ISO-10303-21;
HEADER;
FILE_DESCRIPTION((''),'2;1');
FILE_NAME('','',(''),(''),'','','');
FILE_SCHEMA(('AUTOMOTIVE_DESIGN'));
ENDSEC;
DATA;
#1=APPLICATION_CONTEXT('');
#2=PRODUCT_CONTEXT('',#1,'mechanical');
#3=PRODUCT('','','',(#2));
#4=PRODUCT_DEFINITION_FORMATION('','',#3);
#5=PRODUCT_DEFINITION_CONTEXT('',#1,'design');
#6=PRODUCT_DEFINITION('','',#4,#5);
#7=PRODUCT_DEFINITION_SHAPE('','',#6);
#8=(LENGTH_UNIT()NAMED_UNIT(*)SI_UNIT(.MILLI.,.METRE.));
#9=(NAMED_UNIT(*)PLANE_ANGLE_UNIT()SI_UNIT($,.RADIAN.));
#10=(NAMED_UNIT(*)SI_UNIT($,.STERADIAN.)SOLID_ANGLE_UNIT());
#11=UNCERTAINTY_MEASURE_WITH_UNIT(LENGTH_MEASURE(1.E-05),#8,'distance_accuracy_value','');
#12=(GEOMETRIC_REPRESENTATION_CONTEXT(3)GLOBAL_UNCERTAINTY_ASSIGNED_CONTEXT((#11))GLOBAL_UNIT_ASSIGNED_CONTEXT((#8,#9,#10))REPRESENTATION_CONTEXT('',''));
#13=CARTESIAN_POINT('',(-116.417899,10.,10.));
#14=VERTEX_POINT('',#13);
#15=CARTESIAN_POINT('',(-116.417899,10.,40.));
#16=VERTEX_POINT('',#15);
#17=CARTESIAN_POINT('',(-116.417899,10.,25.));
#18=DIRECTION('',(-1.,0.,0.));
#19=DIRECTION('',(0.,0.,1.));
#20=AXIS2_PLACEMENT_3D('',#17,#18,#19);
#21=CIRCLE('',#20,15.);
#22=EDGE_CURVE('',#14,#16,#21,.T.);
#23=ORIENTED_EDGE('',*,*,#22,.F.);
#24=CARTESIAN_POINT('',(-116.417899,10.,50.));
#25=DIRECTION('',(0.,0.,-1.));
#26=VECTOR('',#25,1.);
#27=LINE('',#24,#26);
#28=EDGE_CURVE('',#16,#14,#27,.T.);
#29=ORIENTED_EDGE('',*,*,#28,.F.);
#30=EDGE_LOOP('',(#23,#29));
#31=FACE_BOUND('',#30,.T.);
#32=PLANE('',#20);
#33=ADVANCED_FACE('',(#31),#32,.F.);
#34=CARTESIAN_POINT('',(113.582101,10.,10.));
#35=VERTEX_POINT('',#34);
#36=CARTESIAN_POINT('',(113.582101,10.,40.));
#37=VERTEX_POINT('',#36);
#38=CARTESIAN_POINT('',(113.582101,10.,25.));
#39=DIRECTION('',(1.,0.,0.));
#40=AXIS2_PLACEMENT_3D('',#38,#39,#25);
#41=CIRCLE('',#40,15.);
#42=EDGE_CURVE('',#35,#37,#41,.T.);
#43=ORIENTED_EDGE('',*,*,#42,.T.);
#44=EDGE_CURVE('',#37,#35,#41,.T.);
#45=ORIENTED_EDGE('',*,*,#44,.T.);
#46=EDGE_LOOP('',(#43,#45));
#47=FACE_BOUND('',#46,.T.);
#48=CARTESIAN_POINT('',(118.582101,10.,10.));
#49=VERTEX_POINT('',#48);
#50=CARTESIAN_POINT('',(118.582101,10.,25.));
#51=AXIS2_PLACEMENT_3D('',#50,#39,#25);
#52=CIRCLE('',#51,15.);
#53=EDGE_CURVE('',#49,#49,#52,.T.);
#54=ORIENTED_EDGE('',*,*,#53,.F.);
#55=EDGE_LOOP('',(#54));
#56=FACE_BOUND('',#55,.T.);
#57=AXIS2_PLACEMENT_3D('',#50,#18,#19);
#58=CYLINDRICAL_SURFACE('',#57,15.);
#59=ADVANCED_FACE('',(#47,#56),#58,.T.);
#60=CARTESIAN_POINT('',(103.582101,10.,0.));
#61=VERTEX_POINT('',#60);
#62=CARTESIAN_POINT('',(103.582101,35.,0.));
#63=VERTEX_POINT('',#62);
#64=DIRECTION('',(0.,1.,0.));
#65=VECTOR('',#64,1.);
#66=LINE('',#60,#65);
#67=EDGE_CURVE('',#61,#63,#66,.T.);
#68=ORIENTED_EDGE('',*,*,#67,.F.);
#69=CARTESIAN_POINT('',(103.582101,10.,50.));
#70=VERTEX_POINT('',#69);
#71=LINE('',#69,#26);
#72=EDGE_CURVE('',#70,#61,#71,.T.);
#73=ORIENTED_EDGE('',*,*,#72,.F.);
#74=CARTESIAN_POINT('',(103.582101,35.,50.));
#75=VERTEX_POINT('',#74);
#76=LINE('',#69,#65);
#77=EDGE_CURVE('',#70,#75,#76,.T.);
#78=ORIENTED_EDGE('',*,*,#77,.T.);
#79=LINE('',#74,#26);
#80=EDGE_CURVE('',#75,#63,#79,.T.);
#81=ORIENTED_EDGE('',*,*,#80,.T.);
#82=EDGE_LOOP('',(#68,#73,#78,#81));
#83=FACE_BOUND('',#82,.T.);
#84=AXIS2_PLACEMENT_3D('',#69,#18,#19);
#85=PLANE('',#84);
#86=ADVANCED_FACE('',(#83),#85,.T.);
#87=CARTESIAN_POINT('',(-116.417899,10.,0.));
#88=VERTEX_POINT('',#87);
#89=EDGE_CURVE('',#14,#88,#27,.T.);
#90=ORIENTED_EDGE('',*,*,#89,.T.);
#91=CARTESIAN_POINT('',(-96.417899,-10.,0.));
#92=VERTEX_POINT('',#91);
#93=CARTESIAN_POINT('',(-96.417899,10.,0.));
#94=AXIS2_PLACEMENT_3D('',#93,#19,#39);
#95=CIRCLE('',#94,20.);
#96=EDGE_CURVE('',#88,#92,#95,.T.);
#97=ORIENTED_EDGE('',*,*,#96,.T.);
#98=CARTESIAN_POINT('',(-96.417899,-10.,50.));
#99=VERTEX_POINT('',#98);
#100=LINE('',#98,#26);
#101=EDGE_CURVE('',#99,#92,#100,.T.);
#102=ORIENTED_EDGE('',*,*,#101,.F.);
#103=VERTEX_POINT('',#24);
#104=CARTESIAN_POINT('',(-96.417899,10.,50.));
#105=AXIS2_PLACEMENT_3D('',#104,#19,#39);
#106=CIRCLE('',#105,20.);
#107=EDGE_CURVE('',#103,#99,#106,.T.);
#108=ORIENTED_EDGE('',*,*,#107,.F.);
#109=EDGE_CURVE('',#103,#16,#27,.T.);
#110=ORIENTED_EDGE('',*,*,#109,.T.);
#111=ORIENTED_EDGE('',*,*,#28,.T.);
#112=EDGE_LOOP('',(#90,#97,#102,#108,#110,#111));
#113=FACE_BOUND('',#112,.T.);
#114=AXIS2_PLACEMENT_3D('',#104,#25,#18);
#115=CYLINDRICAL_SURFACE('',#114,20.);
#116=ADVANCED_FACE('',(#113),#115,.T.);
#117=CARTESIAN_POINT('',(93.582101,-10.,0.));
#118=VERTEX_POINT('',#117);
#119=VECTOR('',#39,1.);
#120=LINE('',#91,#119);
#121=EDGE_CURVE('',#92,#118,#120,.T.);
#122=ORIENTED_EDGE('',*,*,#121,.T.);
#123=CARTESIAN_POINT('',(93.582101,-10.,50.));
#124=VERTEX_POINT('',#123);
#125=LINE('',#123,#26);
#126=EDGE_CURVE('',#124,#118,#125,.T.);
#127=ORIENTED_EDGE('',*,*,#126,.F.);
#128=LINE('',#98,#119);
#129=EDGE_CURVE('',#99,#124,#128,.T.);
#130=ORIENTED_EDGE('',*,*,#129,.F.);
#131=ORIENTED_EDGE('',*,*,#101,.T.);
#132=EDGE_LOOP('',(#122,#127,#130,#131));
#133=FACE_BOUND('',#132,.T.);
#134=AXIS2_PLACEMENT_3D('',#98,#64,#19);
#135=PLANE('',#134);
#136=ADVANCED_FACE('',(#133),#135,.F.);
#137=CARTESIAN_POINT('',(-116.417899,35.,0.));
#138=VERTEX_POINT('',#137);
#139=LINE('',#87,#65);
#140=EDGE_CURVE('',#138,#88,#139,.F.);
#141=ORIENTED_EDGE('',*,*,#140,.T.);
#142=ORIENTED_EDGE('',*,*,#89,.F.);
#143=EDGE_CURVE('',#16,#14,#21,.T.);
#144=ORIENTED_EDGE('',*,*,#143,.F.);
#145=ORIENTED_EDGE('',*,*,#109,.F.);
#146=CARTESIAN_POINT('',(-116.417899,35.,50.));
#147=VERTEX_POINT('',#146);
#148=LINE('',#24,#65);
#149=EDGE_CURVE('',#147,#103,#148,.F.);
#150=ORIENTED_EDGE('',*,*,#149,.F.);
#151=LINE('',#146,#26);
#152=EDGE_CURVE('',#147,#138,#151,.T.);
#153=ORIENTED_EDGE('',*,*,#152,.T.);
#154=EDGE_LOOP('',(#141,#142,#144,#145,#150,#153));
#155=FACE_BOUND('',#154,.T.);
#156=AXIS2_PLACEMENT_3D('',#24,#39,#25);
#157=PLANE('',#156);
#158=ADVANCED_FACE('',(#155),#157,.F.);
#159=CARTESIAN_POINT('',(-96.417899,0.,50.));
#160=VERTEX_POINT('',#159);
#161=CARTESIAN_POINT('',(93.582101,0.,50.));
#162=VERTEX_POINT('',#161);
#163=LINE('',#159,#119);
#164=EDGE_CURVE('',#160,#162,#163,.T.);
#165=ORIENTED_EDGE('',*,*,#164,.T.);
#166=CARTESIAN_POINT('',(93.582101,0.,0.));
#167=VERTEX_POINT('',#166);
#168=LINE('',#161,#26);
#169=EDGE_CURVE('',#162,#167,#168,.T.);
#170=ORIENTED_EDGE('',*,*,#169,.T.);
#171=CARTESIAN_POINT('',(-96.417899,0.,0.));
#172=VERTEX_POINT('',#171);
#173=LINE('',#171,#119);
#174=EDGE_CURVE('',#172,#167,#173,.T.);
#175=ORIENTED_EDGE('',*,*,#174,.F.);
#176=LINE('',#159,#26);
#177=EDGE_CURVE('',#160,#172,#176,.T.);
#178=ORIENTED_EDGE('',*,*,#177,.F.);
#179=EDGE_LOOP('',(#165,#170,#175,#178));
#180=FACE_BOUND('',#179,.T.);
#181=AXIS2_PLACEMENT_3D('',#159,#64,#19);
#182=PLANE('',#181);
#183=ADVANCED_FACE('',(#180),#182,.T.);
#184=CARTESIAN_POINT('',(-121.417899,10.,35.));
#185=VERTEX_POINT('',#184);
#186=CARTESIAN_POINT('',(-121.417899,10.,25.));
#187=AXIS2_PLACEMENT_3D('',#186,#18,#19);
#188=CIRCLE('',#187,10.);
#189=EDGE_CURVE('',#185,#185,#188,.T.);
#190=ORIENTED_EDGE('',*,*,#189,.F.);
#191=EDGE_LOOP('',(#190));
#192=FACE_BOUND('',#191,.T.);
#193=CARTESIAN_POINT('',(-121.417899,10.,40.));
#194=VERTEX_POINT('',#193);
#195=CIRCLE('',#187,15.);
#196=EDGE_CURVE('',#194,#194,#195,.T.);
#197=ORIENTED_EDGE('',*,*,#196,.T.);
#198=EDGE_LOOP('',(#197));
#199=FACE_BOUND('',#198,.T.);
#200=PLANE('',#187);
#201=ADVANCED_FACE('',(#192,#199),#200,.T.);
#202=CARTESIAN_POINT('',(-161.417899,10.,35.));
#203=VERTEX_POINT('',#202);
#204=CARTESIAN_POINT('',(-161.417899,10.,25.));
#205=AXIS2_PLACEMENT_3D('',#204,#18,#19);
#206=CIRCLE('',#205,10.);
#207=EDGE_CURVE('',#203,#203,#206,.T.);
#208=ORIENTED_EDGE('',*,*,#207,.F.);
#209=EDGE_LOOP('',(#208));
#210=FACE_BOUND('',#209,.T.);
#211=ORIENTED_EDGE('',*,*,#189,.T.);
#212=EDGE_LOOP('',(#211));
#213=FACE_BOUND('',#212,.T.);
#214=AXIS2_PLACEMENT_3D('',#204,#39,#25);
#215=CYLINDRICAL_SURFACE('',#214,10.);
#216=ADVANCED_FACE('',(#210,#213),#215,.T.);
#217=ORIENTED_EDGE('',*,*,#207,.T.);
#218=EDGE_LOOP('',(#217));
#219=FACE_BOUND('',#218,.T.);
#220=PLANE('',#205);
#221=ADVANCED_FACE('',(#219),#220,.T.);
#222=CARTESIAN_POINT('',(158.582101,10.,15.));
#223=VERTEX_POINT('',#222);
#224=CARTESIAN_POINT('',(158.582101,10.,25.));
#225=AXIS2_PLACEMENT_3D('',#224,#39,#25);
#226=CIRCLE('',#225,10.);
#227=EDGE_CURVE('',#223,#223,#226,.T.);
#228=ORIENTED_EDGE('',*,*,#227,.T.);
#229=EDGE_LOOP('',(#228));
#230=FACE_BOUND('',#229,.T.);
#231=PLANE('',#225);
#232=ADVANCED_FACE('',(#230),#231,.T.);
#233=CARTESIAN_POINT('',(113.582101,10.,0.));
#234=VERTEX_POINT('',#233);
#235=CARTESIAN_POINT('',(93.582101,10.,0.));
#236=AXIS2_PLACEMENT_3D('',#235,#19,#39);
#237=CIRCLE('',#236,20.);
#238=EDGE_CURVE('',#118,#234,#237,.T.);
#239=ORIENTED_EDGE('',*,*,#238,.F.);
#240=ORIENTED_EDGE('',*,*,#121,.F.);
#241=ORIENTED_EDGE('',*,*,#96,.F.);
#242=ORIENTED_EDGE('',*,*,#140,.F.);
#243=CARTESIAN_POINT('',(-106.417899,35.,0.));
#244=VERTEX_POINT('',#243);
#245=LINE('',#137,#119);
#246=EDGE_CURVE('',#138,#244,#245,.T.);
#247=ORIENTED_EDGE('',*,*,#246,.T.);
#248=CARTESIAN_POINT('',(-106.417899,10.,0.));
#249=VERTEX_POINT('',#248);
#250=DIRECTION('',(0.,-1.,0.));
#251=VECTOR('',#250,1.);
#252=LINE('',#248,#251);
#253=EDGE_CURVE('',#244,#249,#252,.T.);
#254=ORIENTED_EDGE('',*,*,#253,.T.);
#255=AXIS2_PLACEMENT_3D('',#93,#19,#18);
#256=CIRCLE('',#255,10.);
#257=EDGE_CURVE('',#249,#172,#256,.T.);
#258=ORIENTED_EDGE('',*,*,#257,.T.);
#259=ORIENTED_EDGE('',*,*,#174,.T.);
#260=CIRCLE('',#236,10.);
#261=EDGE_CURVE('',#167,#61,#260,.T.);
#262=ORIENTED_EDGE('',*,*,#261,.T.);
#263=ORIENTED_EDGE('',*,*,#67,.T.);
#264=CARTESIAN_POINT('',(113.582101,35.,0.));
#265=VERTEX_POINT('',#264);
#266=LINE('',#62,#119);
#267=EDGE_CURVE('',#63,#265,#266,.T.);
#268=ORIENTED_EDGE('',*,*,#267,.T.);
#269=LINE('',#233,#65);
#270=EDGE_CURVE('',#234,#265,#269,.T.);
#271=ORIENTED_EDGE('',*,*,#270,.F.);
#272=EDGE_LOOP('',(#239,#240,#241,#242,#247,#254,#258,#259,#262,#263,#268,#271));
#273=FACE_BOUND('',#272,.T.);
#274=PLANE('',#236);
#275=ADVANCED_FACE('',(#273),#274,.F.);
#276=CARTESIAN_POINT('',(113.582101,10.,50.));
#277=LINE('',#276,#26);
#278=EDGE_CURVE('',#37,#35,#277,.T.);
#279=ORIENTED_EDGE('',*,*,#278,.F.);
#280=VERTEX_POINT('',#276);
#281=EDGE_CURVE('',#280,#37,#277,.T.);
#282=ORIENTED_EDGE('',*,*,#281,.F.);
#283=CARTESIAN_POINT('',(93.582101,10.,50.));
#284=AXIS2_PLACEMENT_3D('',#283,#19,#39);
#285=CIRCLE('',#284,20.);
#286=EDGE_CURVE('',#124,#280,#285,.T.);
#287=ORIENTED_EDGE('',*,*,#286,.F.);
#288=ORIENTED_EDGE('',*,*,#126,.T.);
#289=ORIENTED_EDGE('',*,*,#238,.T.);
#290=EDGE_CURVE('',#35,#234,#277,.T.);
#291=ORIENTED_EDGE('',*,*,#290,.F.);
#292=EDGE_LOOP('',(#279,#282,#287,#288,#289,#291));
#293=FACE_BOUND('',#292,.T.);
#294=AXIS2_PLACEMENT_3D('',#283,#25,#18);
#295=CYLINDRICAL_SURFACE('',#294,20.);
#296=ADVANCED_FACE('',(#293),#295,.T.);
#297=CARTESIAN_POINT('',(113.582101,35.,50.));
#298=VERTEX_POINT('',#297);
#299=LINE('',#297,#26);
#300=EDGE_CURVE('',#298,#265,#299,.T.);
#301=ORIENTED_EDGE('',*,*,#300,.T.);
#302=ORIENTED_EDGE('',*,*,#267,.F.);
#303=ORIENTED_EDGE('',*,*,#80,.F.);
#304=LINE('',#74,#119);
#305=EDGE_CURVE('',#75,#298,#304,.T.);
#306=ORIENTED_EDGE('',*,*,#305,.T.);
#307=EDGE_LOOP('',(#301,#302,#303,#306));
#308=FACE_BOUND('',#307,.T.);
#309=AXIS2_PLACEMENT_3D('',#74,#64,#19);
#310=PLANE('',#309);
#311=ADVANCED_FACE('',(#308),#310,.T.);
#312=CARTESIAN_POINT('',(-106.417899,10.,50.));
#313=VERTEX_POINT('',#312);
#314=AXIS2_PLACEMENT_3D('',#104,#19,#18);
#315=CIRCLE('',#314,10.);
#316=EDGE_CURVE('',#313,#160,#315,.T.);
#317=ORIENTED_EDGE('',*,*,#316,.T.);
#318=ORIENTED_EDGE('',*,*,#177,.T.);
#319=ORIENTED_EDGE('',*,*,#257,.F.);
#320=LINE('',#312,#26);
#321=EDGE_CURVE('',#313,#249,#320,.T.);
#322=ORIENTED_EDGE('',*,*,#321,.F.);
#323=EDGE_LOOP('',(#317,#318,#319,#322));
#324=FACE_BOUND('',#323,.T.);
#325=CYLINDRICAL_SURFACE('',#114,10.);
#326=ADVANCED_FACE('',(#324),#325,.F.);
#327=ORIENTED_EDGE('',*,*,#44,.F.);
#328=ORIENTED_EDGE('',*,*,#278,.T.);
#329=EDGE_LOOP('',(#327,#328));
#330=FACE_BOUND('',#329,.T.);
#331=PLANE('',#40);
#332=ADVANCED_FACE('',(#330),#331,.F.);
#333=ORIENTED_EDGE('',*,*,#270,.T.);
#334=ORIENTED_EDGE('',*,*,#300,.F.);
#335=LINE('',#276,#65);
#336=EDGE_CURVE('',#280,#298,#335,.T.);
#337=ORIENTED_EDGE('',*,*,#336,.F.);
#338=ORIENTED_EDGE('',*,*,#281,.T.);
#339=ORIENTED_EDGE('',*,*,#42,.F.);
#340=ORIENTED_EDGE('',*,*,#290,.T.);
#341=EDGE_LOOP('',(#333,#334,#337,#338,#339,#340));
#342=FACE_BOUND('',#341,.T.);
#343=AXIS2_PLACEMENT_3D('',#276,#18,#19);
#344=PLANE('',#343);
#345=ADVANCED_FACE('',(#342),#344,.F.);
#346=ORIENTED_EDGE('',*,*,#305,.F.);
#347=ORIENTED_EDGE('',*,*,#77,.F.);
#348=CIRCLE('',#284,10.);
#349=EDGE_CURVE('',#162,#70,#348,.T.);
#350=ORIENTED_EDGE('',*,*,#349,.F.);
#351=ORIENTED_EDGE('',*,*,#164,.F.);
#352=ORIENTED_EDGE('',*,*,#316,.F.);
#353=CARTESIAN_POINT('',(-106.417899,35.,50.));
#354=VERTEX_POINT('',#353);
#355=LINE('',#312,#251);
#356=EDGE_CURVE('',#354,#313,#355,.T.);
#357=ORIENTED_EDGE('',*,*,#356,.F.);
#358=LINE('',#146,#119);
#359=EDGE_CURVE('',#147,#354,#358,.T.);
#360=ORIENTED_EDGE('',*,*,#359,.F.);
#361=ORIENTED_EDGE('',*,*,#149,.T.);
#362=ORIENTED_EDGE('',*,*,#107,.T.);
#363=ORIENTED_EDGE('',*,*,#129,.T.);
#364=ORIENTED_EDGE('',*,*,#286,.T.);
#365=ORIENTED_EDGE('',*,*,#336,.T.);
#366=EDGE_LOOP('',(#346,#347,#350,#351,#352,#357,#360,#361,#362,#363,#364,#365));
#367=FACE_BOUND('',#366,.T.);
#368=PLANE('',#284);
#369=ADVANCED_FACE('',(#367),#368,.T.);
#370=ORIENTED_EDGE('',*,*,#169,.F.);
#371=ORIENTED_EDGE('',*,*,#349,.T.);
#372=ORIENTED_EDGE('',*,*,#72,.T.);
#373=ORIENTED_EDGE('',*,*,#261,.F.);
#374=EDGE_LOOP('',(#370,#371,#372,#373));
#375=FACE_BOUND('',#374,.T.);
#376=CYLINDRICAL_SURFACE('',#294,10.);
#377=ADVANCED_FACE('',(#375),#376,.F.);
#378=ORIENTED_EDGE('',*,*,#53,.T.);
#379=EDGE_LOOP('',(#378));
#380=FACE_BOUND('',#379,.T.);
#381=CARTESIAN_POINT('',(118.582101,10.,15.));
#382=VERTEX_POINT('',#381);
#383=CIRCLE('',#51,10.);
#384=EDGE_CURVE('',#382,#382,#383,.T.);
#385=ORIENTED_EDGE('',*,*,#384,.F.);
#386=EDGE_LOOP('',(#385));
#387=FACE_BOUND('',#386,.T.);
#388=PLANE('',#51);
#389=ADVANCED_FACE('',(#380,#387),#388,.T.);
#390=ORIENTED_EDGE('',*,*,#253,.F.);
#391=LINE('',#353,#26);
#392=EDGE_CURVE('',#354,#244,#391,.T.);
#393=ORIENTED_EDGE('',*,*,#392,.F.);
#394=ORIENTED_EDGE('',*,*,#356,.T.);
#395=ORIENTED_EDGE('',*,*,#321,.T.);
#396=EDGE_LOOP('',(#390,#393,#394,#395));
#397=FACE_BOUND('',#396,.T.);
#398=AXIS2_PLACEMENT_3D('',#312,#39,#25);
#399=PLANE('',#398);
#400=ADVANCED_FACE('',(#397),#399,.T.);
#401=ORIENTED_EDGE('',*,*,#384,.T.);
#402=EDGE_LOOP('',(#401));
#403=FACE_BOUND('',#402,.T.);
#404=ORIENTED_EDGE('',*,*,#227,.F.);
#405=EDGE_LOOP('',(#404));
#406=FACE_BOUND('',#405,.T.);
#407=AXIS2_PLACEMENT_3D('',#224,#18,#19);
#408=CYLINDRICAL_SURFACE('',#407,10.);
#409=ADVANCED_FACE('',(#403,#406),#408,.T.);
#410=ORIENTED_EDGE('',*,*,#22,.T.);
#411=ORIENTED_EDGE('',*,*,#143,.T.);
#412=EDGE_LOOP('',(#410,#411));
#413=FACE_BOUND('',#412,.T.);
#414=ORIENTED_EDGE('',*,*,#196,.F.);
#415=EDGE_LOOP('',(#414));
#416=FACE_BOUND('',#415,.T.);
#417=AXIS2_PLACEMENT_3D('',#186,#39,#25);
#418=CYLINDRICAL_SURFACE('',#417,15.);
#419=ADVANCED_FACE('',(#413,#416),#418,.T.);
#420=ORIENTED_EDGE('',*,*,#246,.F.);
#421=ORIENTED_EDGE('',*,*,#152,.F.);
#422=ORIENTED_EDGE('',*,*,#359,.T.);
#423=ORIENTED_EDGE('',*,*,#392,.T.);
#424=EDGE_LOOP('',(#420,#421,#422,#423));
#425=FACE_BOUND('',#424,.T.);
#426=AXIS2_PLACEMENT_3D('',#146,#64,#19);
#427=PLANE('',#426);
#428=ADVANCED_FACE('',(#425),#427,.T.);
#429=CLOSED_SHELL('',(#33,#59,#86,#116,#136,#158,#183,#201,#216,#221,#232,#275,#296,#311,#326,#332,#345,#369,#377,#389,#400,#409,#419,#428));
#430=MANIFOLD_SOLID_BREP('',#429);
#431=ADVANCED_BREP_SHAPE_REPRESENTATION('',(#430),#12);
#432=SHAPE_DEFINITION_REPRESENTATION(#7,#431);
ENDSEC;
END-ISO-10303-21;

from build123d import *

# Parameters (mm, degrees)
EXTRUDE_THIN2_DEPTH  = 50
SKETCH3_R            = 10
BOSS_EXTRUDE7_DEPTH  = 45
SKETCH8_R            = 10
BOSS_EXTRUDE8_DEPTH  = 45
SKETCH9_R            = 15
BOSS_EXTRUDE9_DEPTH  = 5
SKETCH10_R           = 15
BOSS_EXTRUDE10_DEPTH = 5


with BuildPart() as part:
    # Sketch1 → Extrude-Thin2 (new body)
    with BuildSketch(Plane.XY):
        with BuildLine():
            Line((-106.417898558, 35), (-106.417898558, 10))
            ThreePointArc((-106.417898558, 10), (-103.48896637, 2.928932188), (-96.417898558, 0))
            Line((-96.417898558, 0), (93.582101442, 0))
            ThreePointArc((93.582101442, 0), (100.653169254, 2.928932188), (103.582101442, 10))
            Line((103.582101442, 10), (103.582101442, 35))
            Line((103.582101442, 35), (113.582101442, 35))
            Line((113.582101442, 35), (113.582101442, 10))
            ThreePointArc((113.582101442, 10), (107.724237066, -4.142135624), (93.582101442, -10))
            Line((93.582101442, -10), (-96.417898558, -10))
            ThreePointArc((-96.417898558, -10), (-110.560034182, -4.142135624), (-116.417898558, 10))
            Line((-116.417898558, 10), (-116.417898558, 35))
            Line((-116.417898558, 35), (-106.417898558, 35))
        make_face()
    extrude(amount=EXTRUDE_THIN2_DEPTH)

    # Sketch3 → Boss-Extrude7 (add)
    with BuildSketch(Plane(origin=(113.582101442, 0, 0), x_dir=(0, 0, -1), z_dir=(1, 0, 0))):
        with Locations((-25, 10)):
            Circle(SKETCH3_R)
    extrude(amount=BOSS_EXTRUDE7_DEPTH)

    # Sketch8 → Boss-Extrude8 (add)
    with BuildSketch(Plane.ZY.offset(116.417898558)):
        with Locations((25, 10)):
            Circle(SKETCH8_R)
    extrude(amount=BOSS_EXTRUDE8_DEPTH)

    # Sketch9 → Boss-Extrude9 (add)
    with BuildSketch(Plane.ZY.offset(116.417898558)):
        with Locations((25, 10)):
            Circle(SKETCH9_R)
    extrude(amount=BOSS_EXTRUDE9_DEPTH)

    # Sketch10 → Boss-Extrude10 (add)
    with BuildSketch(Plane(origin=(113.582101442, 0, 0), x_dir=(0, 0, -1), z_dir=(1, 0, 0))):
        with Locations((-25, 10)):
            Circle(SKETCH10_R)
    extrude(amount=BOSS_EXTRUDE10_DEPTH)


solid = part.part
